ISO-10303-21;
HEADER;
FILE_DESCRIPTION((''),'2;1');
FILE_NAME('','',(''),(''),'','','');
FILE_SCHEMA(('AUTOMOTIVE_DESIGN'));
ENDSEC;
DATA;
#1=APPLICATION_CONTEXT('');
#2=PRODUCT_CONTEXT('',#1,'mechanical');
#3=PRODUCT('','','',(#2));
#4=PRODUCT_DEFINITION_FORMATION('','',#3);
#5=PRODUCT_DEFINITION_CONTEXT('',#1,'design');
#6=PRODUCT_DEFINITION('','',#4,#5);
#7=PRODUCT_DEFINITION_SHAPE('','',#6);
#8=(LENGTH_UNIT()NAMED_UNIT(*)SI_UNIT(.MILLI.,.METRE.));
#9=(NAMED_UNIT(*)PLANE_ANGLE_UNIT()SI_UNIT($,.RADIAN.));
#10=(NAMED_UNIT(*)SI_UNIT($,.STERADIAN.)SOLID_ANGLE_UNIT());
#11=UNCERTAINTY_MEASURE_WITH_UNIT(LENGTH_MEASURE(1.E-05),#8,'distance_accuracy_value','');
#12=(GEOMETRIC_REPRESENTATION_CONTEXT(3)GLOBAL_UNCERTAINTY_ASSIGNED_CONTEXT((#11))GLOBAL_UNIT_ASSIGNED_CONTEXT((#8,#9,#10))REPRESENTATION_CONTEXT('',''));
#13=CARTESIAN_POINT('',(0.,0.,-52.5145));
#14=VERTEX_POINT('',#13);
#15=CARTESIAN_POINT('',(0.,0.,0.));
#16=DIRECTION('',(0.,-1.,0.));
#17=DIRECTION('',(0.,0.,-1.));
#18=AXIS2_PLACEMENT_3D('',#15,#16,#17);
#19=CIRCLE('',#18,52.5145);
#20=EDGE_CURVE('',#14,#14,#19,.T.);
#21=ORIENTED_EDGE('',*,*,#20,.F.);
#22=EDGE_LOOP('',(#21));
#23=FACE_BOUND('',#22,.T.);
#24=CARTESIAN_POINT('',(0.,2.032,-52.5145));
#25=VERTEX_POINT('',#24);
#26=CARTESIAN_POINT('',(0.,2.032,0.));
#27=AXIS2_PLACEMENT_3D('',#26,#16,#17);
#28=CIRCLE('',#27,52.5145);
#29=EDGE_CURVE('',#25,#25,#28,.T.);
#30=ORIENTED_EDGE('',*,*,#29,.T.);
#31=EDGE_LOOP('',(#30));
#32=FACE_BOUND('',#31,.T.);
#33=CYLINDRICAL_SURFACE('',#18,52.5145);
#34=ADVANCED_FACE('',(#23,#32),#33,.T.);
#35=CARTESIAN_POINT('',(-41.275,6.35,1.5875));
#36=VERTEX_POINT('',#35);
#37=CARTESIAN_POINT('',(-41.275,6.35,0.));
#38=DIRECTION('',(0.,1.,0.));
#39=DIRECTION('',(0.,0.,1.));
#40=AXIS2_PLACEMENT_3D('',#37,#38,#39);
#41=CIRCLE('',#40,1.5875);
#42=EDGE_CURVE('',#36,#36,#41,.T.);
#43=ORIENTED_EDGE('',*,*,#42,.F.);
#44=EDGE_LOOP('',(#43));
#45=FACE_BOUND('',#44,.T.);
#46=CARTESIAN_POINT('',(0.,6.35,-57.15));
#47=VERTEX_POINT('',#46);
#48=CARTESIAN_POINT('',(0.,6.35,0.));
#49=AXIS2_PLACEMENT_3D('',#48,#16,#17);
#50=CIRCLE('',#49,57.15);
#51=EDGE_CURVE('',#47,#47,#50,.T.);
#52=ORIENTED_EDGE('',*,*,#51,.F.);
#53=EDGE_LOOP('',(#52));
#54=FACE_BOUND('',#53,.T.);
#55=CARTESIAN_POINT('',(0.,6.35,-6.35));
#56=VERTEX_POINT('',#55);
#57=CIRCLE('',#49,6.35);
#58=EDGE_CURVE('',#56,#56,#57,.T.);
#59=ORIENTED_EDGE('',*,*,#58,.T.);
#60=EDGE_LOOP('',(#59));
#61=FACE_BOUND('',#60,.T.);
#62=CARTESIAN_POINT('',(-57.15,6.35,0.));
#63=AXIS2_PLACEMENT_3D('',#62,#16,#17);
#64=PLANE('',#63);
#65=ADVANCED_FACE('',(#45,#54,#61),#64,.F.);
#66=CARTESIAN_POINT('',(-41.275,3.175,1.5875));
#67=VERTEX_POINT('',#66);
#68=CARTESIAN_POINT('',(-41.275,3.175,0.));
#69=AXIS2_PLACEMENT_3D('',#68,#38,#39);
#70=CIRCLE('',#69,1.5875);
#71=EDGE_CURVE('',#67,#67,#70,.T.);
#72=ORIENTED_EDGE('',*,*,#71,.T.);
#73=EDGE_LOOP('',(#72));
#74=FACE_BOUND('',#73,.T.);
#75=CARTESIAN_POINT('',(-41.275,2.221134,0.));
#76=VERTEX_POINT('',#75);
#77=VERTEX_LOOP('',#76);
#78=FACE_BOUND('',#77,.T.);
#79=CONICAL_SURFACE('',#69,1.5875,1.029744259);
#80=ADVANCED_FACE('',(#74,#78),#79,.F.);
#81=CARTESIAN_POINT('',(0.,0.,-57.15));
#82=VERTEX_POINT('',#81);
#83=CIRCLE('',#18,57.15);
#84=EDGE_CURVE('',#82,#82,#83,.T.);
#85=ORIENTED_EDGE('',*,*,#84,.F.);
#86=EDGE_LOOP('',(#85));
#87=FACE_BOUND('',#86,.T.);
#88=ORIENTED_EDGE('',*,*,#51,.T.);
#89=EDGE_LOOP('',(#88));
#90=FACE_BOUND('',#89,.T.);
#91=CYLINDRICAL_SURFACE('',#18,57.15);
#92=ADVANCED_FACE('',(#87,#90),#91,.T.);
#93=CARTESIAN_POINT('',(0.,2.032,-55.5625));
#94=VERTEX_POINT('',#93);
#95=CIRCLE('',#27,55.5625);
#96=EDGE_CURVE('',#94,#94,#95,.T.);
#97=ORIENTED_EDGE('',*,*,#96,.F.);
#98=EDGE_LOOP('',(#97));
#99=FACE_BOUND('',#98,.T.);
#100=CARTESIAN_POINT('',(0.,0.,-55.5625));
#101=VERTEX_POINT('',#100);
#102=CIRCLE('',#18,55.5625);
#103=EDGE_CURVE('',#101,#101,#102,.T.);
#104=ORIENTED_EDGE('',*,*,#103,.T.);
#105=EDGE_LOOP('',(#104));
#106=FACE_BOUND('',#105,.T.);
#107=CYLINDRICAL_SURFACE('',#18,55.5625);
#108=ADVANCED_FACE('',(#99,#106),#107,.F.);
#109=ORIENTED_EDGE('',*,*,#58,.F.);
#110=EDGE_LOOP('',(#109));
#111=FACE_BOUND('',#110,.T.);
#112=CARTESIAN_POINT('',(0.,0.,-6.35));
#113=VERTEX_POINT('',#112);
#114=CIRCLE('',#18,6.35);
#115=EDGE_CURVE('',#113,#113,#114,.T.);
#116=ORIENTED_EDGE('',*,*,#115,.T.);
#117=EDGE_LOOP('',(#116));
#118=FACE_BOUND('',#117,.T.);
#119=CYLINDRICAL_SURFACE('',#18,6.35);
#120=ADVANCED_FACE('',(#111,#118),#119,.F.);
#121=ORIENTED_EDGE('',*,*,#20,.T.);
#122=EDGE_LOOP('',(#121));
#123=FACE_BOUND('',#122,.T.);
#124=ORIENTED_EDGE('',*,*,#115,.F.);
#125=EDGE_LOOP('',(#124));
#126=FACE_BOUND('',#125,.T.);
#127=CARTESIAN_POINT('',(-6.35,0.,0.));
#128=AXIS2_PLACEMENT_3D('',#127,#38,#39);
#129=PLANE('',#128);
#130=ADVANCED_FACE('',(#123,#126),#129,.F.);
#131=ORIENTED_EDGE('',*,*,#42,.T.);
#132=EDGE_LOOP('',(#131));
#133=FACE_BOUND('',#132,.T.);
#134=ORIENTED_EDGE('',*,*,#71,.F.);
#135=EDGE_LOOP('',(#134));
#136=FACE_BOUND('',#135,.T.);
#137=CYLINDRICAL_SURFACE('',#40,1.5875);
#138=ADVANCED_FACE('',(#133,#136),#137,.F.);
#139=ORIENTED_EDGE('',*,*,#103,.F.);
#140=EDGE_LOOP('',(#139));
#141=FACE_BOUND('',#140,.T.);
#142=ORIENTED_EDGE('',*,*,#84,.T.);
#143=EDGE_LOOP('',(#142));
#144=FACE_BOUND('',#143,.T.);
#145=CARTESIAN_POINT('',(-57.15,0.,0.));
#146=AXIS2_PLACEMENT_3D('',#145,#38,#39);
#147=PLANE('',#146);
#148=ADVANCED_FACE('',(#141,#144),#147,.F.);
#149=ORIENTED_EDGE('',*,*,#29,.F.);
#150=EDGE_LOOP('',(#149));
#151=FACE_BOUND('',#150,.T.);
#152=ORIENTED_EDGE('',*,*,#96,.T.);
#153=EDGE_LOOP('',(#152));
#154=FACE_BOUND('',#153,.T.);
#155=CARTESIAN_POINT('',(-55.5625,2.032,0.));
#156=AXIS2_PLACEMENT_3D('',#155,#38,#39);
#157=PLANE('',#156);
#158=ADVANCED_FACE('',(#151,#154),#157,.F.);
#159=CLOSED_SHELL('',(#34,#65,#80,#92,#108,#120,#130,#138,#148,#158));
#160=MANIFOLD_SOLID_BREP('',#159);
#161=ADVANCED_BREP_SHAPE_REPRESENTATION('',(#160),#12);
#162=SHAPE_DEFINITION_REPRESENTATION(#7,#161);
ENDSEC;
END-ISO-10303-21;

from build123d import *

# Parameters (mm, degrees)
F_1_8_0_125_DIAMETER_HOLE1_D     = 3.175
F_1_8_0_125_DIAMETER_HOLE1_DEPTH = 3.175
F_1_8_0_125_DIAMETER_HOLE1_TIP   = 0.953866233


with BuildPart() as part:
    # Sketch1 → Revolve1 (revolve)
    with BuildSketch(Plane.XY):
        Polygon((-6.35, 0), (-52.5145, 0), (-52.5145, 2.032), (-55.5625, 2.032), (-55.5625, 0), (-57.15, 0), (-57.15, 6.35), (-6.35, 6.35), align=None)
    revolve(axis=Axis((0, 0, 0), (0, 1, 0)))

    # 1/8 (0.125) Diameter Hole1
    with Locations(Plane(origin=(0, 6.35, 0), x_dir=(1, 0, 0), z_dir=(0, 1, 0))):
        with Locations((-41.275, 0)):
            Hole(F_1_8_0_125_DIAMETER_HOLE1_D / 2, depth=F_1_8_0_125_DIAMETER_HOLE1_DEPTH)
            with Locations((0, 0, -(F_1_8_0_125_DIAMETER_HOLE1_DEPTH + F_1_8_0_125_DIAMETER_HOLE1_TIP / 2))):  # 118° drill point
                Cone(0, F_1_8_0_125_DIAMETER_HOLE1_D / 2, F_1_8_0_125_DIAMETER_HOLE1_TIP, mode=Mode.SUBTRACT)


solid = part.part
